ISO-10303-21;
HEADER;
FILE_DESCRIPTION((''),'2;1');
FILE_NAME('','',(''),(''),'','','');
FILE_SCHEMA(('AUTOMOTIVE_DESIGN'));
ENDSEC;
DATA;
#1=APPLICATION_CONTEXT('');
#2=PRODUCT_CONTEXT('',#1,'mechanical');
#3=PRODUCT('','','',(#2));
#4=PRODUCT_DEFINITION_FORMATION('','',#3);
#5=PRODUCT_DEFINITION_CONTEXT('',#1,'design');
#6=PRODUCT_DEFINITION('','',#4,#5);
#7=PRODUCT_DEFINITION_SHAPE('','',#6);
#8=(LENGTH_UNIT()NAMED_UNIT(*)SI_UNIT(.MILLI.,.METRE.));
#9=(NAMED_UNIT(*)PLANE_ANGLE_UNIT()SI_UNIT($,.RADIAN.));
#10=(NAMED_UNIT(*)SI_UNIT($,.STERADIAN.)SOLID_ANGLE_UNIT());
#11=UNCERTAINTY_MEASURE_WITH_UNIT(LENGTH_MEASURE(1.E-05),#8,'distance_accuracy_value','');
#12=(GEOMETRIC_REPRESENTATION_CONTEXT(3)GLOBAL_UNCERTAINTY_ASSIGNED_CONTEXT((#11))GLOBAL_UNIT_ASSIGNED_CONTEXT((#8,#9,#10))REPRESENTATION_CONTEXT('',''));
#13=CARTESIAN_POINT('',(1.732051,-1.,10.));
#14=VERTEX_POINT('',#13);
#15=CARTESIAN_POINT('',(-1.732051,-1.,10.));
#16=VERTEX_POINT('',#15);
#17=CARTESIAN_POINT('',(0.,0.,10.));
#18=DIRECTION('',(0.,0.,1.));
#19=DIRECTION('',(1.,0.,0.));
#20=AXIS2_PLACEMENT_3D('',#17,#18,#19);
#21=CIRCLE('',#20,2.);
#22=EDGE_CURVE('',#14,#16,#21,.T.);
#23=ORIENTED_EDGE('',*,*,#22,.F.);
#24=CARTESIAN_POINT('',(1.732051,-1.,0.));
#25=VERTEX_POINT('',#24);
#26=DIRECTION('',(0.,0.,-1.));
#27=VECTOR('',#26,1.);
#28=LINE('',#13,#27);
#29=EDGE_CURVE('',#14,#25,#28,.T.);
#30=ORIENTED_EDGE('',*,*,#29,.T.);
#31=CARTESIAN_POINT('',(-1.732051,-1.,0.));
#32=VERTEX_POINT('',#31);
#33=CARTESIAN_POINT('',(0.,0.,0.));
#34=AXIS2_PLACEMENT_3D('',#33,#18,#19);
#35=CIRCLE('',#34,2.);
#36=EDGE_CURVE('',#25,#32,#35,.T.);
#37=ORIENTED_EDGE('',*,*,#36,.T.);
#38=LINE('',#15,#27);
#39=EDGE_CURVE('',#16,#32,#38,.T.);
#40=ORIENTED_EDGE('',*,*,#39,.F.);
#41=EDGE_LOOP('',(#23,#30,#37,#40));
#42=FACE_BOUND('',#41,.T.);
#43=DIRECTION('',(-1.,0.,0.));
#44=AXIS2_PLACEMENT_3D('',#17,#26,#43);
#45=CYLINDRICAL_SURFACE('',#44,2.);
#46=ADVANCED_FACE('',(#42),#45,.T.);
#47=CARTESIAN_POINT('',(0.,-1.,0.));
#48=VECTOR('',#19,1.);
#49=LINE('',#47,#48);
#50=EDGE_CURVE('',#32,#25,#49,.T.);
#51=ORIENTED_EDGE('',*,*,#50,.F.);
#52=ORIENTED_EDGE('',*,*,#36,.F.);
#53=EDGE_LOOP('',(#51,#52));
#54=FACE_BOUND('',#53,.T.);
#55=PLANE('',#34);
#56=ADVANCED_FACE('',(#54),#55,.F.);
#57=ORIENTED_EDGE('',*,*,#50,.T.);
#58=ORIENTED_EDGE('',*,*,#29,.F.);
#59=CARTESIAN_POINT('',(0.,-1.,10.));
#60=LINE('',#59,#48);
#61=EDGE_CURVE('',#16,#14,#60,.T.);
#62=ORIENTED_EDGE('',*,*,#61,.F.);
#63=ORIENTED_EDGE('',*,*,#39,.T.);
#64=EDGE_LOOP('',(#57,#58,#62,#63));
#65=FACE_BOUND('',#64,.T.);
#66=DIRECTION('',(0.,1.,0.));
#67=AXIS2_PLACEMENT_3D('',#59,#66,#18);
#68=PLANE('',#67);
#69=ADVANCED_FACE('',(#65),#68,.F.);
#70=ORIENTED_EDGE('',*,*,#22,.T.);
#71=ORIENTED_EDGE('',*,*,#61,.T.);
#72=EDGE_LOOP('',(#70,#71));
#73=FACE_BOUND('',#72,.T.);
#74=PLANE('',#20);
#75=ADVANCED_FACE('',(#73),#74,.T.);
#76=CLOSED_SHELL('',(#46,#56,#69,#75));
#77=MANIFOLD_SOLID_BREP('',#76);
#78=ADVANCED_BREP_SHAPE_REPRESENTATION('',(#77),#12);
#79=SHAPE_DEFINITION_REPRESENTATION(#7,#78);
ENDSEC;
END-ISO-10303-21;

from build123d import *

# Parameters (mm, degrees)
BOSS_EXTRUDE1_DEPTH = 10


with BuildPart() as part:
    # Sketch2 → Boss-Extrude1 (new body)
    with BuildSketch(Plane.XY):
        with BuildLine():
            Line((-1.732050808, -1), (0, -1))
            Line((0, -1), (1.732050808, -1))
            ThreePointArc((1.732050808, -1), (0, 2), (-1.732050808, -1))
        make_face()
    extrude(amount=BOSS_EXTRUDE1_DEPTH)


solid = part.part
